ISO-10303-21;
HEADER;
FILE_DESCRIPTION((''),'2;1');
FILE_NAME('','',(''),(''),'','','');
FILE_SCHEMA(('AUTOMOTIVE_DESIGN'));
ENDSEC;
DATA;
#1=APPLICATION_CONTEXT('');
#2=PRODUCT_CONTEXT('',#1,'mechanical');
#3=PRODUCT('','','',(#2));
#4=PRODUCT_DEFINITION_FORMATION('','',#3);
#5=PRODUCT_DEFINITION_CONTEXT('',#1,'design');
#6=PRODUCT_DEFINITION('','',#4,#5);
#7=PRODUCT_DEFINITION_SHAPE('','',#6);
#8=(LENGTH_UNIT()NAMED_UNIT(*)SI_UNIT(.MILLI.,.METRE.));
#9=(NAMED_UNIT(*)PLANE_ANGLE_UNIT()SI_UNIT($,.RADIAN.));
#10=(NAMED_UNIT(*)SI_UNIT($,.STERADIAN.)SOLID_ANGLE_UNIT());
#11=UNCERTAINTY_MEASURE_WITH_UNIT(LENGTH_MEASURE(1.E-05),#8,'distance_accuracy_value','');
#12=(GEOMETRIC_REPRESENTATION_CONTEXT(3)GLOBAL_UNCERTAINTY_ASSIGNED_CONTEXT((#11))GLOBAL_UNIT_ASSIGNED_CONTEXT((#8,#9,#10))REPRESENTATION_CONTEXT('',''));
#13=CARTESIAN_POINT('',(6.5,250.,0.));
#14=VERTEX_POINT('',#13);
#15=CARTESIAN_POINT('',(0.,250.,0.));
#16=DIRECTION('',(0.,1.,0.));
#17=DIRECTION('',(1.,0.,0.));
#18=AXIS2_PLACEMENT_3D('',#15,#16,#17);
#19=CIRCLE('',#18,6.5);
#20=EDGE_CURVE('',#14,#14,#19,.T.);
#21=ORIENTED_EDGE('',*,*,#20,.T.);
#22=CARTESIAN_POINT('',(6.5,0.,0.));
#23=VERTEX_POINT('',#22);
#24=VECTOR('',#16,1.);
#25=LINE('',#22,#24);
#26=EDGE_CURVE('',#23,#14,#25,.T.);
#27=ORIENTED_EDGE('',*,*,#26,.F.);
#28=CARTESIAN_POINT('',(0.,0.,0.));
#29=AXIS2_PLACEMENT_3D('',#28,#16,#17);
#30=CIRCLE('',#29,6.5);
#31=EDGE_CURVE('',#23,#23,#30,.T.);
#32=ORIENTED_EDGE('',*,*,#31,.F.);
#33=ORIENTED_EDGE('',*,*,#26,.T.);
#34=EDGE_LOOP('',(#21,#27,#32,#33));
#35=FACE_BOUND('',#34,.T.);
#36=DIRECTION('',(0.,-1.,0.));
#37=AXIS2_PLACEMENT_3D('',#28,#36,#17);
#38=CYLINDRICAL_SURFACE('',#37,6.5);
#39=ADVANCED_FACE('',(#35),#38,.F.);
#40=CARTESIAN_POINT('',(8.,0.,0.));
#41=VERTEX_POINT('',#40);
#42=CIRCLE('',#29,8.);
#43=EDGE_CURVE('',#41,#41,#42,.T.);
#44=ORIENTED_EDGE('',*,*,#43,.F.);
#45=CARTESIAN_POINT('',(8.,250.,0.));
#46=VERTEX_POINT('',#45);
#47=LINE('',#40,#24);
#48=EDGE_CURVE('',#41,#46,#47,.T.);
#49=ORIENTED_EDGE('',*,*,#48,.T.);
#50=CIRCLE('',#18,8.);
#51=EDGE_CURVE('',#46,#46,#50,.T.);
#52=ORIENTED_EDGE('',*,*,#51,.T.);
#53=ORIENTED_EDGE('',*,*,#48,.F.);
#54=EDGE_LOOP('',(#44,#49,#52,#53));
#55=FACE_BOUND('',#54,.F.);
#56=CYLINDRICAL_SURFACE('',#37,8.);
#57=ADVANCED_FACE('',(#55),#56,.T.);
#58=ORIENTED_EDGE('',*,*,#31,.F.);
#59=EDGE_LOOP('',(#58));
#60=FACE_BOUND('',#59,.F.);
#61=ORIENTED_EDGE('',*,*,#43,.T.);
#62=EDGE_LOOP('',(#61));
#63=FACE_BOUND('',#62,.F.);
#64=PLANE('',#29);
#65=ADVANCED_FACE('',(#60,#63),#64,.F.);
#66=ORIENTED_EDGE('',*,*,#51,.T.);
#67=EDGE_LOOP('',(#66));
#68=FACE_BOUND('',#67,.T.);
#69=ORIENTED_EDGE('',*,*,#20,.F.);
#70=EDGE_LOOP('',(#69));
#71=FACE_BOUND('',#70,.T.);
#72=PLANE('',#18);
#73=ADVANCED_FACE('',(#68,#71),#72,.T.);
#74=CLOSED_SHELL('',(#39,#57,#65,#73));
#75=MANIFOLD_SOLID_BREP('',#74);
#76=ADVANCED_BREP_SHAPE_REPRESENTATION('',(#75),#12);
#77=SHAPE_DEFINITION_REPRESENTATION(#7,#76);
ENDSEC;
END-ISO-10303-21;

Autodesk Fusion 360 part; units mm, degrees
sketch "Skizze1" plane through (0, 0, 0) normal (0, 1, 0) x (1, 0, 0)
  circle A0 centre (0, 0) radius 8
  circle A1 centre (0, 0) radius 6.5
  dimension "d1" = 16
  dimension "d2" = 1.5
extrude "Extrusion1" add sketch "Skizze1" along normal blind 250
